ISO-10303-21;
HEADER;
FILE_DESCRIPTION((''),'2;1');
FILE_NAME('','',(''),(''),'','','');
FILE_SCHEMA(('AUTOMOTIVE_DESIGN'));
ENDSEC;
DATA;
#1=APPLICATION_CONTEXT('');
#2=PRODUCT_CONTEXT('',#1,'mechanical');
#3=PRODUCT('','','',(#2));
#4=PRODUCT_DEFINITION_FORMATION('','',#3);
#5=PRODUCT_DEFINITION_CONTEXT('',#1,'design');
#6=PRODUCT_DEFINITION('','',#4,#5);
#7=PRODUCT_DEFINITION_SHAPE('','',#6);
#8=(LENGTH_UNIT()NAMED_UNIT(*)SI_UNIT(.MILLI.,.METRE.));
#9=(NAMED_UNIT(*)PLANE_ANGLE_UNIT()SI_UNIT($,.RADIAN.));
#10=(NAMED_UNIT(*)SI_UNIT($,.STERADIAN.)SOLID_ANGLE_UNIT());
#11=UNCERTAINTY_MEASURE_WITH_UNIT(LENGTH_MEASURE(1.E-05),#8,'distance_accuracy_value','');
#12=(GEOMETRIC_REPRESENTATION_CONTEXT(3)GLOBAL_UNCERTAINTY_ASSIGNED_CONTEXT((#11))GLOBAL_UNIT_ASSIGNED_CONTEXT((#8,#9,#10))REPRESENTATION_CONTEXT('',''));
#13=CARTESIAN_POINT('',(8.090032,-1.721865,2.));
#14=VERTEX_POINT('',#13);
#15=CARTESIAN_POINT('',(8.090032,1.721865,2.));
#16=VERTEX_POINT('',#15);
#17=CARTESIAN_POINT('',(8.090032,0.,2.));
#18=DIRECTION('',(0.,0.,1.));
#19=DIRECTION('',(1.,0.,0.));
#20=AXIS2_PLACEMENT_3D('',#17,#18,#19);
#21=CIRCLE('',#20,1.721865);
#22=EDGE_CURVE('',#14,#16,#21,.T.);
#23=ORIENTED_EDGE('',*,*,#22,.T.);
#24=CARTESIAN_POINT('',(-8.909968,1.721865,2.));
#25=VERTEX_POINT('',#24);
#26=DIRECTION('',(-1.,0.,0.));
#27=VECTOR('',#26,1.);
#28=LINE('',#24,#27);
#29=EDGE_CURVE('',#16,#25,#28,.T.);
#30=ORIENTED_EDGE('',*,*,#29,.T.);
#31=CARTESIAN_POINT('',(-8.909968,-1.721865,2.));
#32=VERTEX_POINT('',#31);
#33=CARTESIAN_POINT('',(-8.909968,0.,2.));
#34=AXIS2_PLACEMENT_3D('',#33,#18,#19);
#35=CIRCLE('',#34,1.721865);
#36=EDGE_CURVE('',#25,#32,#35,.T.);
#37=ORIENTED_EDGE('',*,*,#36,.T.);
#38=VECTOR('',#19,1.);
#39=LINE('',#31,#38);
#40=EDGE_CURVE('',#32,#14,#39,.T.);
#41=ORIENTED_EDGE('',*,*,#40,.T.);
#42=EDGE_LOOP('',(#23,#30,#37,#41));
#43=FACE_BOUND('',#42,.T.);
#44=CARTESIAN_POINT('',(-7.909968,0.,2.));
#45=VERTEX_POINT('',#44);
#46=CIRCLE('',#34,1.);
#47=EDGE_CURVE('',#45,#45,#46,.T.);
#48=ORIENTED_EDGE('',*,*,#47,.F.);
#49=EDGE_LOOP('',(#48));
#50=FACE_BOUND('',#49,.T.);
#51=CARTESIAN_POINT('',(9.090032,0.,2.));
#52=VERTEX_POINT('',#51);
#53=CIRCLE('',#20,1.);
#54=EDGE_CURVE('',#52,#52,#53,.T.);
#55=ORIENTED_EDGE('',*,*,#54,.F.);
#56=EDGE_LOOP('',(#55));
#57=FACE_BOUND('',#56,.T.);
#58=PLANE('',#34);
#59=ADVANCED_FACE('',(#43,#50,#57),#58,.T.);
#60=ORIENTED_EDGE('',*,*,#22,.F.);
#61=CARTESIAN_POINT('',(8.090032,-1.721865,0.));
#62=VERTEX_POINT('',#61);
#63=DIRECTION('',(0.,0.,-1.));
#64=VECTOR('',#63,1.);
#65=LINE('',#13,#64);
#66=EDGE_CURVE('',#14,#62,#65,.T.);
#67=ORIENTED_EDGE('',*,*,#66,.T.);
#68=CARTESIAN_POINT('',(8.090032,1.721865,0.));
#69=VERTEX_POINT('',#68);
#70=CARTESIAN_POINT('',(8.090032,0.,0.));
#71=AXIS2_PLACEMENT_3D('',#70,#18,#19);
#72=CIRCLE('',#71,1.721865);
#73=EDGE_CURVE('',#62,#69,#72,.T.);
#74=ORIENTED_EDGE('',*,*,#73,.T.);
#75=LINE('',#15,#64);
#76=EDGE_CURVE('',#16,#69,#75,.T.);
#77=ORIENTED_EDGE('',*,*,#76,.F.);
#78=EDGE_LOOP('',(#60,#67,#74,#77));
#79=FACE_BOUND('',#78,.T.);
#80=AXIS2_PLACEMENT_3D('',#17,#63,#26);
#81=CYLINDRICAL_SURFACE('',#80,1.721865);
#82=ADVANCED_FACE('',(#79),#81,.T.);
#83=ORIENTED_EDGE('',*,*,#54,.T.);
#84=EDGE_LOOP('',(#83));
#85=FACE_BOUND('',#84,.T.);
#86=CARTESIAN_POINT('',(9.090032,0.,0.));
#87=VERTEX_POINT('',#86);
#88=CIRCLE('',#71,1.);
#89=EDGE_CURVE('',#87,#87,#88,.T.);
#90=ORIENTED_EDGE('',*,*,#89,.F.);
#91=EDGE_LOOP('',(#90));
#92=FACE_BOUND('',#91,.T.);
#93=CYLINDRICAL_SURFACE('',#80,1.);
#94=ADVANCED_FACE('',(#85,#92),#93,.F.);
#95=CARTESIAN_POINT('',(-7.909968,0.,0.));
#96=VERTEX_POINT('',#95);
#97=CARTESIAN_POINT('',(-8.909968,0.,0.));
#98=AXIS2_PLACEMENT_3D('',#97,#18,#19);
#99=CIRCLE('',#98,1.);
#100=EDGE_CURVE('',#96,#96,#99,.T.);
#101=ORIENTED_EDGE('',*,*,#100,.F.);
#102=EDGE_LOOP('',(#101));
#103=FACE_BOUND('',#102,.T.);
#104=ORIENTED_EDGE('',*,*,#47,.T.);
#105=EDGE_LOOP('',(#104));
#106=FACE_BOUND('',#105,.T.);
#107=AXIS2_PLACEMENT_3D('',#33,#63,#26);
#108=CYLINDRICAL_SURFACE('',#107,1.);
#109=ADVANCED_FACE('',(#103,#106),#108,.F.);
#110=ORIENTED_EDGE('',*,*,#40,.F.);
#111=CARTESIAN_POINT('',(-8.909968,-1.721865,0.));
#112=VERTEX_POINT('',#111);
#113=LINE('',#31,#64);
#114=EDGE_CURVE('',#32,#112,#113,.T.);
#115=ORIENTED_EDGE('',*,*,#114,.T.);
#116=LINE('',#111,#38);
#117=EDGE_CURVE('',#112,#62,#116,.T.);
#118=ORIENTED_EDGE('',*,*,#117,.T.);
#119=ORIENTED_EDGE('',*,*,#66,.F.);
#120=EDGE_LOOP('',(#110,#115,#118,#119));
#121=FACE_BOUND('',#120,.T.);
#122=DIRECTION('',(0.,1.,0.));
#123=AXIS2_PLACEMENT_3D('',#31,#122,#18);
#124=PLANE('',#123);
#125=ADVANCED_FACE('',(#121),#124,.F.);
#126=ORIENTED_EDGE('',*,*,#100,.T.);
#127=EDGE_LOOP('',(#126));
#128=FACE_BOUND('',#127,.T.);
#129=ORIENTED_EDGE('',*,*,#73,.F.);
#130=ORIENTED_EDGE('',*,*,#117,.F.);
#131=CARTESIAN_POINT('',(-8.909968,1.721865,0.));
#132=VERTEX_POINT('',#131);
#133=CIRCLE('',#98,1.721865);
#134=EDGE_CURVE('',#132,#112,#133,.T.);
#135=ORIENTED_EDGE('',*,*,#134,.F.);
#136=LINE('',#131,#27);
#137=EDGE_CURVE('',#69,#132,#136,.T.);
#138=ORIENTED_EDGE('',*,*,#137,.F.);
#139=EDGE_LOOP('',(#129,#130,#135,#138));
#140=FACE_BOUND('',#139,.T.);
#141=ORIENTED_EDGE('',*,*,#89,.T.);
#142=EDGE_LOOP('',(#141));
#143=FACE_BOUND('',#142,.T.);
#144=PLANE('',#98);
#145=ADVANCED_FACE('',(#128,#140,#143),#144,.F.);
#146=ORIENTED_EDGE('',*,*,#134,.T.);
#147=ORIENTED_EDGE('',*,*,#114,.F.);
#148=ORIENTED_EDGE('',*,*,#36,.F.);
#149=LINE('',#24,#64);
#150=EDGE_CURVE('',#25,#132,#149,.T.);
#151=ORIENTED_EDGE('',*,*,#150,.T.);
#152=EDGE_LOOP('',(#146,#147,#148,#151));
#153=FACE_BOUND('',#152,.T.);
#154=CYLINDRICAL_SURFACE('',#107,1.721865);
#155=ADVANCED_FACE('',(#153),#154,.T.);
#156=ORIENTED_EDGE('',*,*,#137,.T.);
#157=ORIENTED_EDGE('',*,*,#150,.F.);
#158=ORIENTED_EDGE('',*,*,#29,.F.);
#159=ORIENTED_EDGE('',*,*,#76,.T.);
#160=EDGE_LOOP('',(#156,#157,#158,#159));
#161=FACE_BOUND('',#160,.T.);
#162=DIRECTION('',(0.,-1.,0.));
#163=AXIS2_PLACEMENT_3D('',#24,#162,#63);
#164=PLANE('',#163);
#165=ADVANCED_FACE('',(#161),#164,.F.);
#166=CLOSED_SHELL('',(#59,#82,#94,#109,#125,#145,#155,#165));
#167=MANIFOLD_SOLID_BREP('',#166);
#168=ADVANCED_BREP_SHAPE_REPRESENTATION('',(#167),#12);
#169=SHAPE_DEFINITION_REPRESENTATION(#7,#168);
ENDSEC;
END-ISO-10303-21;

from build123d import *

# Parameters (mm, degrees)
SKETCH1_R           = 1
BOSS_EXTRUDE1_DEPTH = 2


with BuildPart() as part:
    # Sketch1 → Boss-Extrude1 (new body)
    with BuildSketch(Plane.XY):
        with BuildLine():
            Line((-8.909967846, 1.721864952), (8.090032154, 1.721864952))
            ThreePointArc((8.090032154, 1.721864952), (9.811897106, 0), (8.090032154, -1.721864952))
            Line((8.090032154, -1.721864952), (-8.909967846, -1.721864952))
            ThreePointArc((-8.909967846, -1.721864952), (-10.631832797, 0), (-8.909967846, 1.721864952))
        make_face()
        with Locations((8.090032154, 0)):
            Circle(SKETCH1_R, mode=Mode.SUBTRACT)
        with Locations((-8.909967846, 0)):
            Circle(SKETCH1_R, mode=Mode.SUBTRACT)
    extrude(amount=BOSS_EXTRUDE1_DEPTH)


solid = part.part
